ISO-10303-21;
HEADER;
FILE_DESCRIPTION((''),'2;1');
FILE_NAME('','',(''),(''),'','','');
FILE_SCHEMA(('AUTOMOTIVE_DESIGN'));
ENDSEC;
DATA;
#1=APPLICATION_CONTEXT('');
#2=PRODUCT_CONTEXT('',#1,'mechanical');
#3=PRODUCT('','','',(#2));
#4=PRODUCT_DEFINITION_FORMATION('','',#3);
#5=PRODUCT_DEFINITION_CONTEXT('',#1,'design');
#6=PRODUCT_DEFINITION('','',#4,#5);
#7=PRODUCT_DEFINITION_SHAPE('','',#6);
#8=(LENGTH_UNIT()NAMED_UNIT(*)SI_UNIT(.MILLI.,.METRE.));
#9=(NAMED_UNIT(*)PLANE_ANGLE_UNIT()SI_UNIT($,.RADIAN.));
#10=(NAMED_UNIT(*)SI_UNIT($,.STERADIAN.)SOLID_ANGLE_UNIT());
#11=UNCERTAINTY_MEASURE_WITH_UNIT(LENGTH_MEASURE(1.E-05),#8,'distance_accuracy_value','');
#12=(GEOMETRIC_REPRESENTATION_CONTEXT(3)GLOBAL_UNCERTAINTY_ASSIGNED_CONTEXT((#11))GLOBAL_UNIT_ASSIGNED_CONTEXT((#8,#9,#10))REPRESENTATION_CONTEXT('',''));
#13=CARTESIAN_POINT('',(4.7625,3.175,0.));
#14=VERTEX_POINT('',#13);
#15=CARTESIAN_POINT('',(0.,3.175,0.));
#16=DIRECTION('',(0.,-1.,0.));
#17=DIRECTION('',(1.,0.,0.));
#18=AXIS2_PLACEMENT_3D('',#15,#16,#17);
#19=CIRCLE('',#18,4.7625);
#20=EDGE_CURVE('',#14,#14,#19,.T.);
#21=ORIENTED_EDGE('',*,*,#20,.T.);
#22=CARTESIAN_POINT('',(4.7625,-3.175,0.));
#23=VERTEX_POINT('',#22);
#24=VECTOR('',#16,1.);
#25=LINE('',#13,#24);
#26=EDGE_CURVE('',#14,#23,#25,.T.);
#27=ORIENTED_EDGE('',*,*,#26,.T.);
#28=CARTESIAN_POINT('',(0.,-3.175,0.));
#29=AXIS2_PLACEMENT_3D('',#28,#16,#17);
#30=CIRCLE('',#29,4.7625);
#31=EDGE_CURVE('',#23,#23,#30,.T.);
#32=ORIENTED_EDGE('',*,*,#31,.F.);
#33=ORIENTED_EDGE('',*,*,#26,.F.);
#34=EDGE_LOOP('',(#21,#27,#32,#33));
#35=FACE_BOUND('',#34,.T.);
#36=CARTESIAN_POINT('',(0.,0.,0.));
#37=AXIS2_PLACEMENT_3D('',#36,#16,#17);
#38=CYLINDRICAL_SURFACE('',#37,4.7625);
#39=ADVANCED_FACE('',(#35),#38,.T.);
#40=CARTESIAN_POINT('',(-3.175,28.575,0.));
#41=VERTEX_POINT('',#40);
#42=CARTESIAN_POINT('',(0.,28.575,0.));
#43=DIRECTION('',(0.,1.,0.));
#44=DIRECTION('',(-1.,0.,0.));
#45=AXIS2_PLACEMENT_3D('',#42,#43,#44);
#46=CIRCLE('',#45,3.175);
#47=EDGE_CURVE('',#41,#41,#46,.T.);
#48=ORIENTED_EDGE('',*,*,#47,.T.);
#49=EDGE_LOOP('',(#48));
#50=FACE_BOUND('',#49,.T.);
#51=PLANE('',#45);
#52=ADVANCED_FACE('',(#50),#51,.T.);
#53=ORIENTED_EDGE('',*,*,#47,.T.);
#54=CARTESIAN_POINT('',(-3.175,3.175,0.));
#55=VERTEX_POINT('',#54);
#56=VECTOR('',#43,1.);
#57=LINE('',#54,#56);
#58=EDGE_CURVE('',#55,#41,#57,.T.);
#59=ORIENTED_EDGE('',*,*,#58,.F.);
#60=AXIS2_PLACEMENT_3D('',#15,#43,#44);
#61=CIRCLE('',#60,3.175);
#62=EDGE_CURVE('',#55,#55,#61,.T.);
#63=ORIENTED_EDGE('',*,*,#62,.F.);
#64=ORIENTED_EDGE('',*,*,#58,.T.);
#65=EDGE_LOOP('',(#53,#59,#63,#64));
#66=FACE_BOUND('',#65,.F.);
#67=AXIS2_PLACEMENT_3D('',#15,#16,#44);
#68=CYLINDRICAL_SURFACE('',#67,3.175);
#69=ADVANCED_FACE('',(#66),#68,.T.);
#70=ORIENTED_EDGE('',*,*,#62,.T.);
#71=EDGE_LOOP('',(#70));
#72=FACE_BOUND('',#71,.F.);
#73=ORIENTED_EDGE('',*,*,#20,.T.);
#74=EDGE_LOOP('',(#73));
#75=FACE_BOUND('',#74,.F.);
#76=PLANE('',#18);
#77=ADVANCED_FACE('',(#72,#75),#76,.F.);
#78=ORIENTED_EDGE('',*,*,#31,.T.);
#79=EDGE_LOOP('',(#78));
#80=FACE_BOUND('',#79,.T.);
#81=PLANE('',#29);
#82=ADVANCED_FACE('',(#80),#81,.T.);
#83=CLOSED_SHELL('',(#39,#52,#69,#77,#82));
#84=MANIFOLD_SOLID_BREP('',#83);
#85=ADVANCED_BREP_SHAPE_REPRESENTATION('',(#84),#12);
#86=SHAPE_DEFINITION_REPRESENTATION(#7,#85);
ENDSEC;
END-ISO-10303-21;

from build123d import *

# Parameters (mm, degrees)
F0_R     = 4.7625
F1_DEPTH = 3.175
F2_R     = 3.175
F3_DEPTH = 25.4


with BuildPart() as f1:
    # F0 (on Front) → F1 (new body, symmetric)
    with BuildSketch(Plane.XZ):
        Circle(F0_R)
    extrude(amount=F1_DEPTH, both=True)

    # F2 (on face) → F3 (join)
    with BuildSketch(Plane(origin=(0, 3.175, 0), x_dir=(-1, 0, 0), z_dir=(0, 1, 0))):
        Circle(F2_R)
    extrude(amount=F3_DEPTH)


solid = f1.part
